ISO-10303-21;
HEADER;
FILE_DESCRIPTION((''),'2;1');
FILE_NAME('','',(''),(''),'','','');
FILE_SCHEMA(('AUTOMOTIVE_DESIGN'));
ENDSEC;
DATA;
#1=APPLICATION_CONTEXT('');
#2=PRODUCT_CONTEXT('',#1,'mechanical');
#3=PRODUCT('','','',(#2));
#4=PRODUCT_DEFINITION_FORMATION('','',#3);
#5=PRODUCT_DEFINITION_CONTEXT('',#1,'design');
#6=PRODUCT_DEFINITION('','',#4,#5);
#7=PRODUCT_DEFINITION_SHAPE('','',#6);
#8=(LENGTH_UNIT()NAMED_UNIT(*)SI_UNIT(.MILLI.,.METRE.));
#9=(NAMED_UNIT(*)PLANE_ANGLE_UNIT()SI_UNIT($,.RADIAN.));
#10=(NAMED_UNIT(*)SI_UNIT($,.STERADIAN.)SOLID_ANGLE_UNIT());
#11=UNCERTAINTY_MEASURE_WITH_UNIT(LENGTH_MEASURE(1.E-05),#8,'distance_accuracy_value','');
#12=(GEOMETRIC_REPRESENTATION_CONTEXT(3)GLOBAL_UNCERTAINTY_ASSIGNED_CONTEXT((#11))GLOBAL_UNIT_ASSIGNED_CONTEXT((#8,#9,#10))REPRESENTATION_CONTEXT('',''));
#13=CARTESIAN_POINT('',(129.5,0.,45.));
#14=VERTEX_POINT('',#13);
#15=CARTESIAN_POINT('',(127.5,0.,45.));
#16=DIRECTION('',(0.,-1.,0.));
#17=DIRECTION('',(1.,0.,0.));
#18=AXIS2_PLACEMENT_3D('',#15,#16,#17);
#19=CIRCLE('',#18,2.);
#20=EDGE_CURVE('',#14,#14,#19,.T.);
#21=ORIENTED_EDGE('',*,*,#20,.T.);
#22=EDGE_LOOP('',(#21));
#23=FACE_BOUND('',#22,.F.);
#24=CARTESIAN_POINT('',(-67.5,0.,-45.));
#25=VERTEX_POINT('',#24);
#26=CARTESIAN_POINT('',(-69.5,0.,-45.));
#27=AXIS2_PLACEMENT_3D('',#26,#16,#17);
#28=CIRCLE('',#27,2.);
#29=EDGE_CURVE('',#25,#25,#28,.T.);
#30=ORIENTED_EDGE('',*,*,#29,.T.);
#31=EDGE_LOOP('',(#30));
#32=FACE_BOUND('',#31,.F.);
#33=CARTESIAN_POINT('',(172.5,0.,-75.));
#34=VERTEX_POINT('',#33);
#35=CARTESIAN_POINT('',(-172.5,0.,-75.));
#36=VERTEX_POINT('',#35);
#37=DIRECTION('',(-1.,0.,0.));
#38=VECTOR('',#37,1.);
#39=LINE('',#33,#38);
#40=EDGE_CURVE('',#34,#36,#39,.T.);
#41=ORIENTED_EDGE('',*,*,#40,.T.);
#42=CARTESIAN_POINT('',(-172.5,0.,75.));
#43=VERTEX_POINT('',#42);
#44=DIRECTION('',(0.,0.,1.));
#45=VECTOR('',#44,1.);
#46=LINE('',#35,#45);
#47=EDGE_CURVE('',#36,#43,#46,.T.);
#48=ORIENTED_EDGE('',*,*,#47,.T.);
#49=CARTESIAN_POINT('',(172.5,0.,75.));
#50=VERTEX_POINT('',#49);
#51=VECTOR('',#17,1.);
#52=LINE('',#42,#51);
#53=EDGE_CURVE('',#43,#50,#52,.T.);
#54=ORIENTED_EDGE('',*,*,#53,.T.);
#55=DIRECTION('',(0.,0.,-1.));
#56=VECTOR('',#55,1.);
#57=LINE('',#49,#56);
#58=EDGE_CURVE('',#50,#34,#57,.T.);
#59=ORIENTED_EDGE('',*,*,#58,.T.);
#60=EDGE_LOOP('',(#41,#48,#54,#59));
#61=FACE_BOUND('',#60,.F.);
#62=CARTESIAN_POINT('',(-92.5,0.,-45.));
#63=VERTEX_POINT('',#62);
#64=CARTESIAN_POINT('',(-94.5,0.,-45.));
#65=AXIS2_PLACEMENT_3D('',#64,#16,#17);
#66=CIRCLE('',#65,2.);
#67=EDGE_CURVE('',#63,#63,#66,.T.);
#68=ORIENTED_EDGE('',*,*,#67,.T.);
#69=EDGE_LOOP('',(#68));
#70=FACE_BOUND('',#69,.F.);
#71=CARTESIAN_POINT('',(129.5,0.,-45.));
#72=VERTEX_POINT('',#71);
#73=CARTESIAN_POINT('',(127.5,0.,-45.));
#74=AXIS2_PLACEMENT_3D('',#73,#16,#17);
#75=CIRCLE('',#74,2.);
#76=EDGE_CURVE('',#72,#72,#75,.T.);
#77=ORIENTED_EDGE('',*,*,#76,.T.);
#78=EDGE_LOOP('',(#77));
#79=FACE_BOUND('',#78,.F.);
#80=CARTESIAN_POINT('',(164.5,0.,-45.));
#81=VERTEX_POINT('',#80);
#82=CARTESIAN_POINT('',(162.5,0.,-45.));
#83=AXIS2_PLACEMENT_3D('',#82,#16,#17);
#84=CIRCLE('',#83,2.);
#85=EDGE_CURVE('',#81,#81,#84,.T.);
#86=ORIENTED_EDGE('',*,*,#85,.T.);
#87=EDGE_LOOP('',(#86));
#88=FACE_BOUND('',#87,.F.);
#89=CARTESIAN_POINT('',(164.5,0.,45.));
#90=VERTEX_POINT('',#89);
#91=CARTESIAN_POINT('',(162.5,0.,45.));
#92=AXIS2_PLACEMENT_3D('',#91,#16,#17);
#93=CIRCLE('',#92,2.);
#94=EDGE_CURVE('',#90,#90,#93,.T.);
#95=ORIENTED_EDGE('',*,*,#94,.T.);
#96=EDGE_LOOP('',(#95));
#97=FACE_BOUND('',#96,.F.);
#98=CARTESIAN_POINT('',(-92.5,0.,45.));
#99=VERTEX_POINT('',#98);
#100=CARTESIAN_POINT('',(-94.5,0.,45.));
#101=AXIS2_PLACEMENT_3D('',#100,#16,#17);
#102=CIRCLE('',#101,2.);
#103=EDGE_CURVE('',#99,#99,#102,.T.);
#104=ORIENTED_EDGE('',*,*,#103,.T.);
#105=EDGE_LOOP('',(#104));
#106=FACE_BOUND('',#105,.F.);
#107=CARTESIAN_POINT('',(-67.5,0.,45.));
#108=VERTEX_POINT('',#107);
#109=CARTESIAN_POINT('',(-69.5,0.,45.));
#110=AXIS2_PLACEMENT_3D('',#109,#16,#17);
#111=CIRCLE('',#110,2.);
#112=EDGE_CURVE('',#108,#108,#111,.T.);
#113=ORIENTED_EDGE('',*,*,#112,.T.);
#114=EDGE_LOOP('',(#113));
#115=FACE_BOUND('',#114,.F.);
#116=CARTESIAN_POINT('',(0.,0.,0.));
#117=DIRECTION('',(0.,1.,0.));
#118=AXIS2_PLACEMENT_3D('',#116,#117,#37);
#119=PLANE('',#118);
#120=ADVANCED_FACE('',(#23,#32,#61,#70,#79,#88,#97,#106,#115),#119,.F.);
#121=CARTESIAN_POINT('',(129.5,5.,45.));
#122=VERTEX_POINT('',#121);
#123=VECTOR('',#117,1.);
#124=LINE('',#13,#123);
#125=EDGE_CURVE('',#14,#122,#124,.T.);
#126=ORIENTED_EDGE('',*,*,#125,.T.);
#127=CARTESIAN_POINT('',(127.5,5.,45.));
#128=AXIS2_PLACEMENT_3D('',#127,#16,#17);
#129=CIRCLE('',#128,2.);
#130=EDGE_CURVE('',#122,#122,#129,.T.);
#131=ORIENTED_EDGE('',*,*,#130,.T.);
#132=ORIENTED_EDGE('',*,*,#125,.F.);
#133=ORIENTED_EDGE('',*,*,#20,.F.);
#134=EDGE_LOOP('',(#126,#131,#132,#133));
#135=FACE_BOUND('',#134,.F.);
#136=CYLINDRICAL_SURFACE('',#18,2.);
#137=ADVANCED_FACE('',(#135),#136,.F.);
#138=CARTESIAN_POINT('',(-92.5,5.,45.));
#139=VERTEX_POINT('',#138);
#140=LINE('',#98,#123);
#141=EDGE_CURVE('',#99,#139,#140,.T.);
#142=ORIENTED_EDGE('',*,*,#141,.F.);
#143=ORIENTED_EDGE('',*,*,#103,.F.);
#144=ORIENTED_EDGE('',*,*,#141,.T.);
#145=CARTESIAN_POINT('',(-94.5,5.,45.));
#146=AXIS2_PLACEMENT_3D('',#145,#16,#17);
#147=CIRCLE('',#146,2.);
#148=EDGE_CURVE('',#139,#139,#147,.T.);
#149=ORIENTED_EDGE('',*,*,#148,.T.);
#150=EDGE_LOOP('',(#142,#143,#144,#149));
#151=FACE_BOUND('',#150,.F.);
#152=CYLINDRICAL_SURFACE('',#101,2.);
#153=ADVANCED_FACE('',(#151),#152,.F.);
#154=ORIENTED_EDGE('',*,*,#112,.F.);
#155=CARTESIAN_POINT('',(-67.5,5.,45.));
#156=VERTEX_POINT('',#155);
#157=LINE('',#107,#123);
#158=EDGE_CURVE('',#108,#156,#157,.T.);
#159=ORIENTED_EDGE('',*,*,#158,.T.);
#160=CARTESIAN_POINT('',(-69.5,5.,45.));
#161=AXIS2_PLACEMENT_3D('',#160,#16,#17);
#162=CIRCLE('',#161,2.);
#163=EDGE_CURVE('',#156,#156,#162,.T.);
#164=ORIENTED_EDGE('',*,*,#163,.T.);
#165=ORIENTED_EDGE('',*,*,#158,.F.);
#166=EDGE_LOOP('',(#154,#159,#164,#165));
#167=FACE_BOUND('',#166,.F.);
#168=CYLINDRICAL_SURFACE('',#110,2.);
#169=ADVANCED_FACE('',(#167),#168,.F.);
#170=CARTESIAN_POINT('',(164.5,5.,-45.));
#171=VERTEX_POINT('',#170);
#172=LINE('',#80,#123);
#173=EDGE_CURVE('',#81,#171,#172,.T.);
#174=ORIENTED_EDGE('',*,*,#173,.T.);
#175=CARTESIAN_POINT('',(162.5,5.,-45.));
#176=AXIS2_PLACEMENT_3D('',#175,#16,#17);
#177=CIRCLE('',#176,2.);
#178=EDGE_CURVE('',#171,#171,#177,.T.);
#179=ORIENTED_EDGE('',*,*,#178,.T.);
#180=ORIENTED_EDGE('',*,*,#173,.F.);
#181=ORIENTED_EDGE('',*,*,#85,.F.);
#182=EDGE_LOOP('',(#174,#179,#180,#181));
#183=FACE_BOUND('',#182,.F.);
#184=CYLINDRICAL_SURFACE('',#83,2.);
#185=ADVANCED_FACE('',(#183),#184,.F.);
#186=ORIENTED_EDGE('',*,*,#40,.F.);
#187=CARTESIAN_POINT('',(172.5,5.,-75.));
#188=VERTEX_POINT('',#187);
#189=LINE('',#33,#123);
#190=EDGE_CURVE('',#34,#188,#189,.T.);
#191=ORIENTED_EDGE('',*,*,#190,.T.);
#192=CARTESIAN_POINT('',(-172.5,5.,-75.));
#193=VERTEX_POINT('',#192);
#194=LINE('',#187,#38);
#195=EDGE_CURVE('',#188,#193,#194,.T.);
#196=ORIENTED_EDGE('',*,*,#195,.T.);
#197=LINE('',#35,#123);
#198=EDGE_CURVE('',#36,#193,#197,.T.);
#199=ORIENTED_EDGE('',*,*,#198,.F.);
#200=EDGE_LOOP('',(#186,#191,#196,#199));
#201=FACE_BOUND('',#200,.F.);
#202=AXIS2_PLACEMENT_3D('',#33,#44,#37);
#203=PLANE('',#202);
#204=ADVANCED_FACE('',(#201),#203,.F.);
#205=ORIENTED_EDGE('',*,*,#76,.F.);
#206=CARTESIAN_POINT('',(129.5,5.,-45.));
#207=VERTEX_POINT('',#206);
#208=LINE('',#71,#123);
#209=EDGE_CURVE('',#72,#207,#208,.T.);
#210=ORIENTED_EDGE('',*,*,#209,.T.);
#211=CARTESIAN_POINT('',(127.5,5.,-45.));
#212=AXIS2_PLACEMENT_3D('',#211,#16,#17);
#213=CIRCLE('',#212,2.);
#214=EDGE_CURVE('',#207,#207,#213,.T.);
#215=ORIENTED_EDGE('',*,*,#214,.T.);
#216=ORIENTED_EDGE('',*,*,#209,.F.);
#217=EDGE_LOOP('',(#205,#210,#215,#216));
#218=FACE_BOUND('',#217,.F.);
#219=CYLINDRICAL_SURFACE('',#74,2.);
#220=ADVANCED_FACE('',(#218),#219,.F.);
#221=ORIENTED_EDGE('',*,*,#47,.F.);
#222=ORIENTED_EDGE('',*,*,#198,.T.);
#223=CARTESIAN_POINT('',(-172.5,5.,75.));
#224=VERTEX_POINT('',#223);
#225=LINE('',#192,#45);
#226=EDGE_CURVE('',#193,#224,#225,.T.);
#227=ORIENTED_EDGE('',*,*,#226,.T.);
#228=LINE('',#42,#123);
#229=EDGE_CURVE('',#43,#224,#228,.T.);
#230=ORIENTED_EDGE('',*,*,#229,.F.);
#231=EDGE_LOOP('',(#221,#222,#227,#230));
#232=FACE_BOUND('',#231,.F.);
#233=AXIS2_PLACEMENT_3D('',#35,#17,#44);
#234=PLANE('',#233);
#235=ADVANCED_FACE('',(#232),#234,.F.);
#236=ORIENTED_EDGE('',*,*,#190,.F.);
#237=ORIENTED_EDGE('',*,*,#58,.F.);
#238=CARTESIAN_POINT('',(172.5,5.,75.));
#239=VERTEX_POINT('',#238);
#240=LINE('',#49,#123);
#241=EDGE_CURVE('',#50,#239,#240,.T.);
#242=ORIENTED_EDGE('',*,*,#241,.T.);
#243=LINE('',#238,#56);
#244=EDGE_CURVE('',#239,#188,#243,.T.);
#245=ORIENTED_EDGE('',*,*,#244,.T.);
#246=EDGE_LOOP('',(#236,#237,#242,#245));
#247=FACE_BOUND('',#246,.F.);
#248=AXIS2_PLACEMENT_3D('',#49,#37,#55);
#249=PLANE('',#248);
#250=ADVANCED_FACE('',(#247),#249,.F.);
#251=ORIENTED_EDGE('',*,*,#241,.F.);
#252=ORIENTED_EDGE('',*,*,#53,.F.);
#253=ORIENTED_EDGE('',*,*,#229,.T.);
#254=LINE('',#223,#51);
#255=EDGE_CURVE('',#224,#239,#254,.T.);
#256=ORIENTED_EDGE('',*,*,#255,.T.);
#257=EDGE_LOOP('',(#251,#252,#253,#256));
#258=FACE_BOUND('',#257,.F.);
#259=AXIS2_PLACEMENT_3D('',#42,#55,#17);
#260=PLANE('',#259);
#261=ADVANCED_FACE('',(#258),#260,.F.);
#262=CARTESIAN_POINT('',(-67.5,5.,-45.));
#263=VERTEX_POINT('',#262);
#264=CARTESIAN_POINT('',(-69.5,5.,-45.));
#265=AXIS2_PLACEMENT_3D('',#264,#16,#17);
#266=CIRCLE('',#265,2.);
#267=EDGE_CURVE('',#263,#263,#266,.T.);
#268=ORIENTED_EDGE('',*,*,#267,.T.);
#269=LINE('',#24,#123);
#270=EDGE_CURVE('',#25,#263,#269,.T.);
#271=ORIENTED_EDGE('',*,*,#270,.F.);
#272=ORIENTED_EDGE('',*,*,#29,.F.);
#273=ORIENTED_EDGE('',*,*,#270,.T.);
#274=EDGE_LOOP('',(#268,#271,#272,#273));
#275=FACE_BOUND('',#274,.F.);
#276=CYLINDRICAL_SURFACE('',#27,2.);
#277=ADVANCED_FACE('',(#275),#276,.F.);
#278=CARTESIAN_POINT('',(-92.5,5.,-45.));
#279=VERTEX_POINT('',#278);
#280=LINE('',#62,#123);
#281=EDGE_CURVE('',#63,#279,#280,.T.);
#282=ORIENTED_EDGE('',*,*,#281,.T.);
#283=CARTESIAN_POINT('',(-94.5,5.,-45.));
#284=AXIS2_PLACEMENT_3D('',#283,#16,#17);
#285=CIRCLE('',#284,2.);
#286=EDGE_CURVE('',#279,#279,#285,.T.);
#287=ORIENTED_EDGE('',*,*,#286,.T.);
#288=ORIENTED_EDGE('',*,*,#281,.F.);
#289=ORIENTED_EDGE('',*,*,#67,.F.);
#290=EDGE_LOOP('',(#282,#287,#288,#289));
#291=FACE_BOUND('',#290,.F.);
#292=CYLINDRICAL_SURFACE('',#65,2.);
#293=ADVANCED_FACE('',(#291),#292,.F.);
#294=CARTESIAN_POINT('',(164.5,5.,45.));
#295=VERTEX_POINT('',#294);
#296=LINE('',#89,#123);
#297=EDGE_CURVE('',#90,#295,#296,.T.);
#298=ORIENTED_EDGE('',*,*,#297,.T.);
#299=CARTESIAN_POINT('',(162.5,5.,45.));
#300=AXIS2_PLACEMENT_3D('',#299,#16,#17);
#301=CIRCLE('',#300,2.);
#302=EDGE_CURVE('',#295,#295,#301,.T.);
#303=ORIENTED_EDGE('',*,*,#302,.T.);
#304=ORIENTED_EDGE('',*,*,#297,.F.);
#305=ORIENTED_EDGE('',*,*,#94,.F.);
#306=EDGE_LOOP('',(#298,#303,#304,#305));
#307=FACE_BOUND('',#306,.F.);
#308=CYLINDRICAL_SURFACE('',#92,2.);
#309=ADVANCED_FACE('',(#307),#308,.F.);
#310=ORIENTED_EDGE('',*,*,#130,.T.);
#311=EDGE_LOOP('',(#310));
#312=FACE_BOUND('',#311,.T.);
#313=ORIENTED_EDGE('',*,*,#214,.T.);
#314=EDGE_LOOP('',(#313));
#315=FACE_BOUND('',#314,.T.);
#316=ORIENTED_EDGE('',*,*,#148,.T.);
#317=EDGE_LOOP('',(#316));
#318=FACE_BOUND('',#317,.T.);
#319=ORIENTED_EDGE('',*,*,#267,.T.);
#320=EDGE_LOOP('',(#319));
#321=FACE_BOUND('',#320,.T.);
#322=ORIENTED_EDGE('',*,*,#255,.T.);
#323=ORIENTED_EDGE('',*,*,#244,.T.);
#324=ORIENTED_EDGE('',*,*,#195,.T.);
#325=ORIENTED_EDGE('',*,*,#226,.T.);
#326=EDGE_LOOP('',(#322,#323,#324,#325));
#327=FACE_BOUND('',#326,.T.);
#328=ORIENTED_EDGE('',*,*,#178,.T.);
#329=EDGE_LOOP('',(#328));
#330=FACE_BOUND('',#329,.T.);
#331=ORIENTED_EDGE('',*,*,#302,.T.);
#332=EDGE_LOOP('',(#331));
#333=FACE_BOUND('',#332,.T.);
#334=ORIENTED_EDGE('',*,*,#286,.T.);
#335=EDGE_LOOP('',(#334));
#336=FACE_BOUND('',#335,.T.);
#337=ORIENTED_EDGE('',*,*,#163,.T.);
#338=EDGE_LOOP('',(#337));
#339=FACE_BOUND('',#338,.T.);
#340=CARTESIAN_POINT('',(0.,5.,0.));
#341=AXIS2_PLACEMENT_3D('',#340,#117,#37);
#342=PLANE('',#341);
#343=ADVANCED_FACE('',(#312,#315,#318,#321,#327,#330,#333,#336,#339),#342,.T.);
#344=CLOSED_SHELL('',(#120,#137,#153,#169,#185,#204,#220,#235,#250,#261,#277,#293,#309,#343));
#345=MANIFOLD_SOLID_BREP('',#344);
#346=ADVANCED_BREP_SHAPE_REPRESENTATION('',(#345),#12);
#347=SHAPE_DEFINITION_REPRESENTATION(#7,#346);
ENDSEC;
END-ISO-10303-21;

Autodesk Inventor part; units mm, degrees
ref_plane "YZ Plane" through (0, 0, 0) normal (1, 0, 0) x (0, 1, 0)
ref_plane "XZ Plane" through (0, 0, 0) normal (0, 1, 0) x (-1, 0, 0)
ref_plane "XY Plane" through (0, 0, 0) normal (0, 0, 1) x (1, 0, 0)
sketch "Sketch1" plane through (0, 0, 0) normal (0, 1, 0) x (-1, 0, 0)
  line L0 (172.5, 75) -> (-172.5, 75)
  line L1 (-172.5, 75) -> (-172.5, -75)
  line L2 (-172.5, -75) -> (172.5, -75)
  line L3 (172.5, -75) -> (172.5, 75)
  line L4 (172.5, 75) -> (-172.5, -75) construction
  line L5 (-172.5, 75) -> (172.5, -75) construction
  point P0 (0, 0)
  dimension "d0" = 345
  dimension "d1" = 150
extrude "Extrusion1" add sketch "Sketch1" along normal blind 5
sketch "Sketch2" plane through (0, 0, 0) normal (0, -1, 0) x (1, 0, 0)
  circle A0 centre (162.5, 45) radius 2.05 projected
  circle A1 centre (162.5, -45) radius 2.05 projected
  circle A2 centre (127.5, 45) radius 2.05 projected
  circle A3 centre (127.5, -45) radius 2.05 projected
  line L0 (172.5, -75) -> (47.5, -75) projected
  line L1 (47.5, -75) -> (47.5, -55) projected
  line L2 (117.5, -55) -> (47.5, -55) projected
  line L3 (117.5, -55) -> (117.5, 75) projected
  line L4 (117.5, 75) -> (172.5, 75) projected
  line L5 (172.5, -75) -> (172.5, 75) projected
  line L6 (-104.55, -45) -> (-104.55, 60) projected
  line L7 (-104.55, 60) -> (-132, 60) projected
  line L8 (-132, 75) -> (-132, 60) projected
  line L9 (-132, 75) -> (-32, 75) projected
  line L10 (-32, 60) -> (-32, 75) projected
  line L11 (-32, 60) -> (-59.45, 60) projected
  line L12 (-59.45, 60) -> (-59.45, -45) projected
  arc A4 (-59.45, -45) -> (-54.45, -50) centre (-54.45, -45) ccw projected
  line L13 (-32, -50) -> (-54.45, -50) projected
  line L14 (-32, -75) -> (-32, -50) projected
  line L15 (-59.45, -75) -> (-32, -75) projected
  line L16 (-59.45, -75) -> (-59.45, -65) projected
  line L17 (-59.45, -65) -> (-104.55, -65) projected
  line L18 (-104.55, -65) -> (-104.55, -75) projected
  line L19 (-132, -75) -> (-104.55, -75) projected
  line L20 (-132, -50) -> (-132, -75) projected
  line L21 (-109.55, -50) -> (-132, -50) projected
  arc A5 (-109.55, -50) -> (-104.55, -45) centre (-109.55, -45) ccw projected
  circle A6 centre (-94.5, 45) radius 2.05 projected
  circle A7 centre (-69.5, -45) radius 2.05 projected
  circle A8 centre (-69.5, 45) radius 2.05 projected
  circle A9 centre (-94.5, -45) radius 2.05 projected
  circle A10 centre (162.5, 45) radius 2
  circle A11 centre (162.5, -45) radius 2
  circle A12 centre (127.5, 45) radius 2
  circle A13 centre (127.5, -45) radius 2
  circle A14 centre (-69.5, 45) radius 2
  circle A15 centre (-69.5, -45) radius 2
  circle A16 centre (-94.5, 45) radius 2
  circle A17 centre (-94.5, -45) radius 2
  point P0 (0, 0)
  dimension "d4" = 4
  dimension "d5" = 4
  dimension "d6" = 4
  dimension "d7" = 4
  dimension "d8" = 4
  dimension "d9" = 4
  dimension "d10" = 4
  dimension "d11" = 4
extrude "Extrusion2" cut sketch "Sketch2" against normal blind 5 contours A10 | A11 | A12 | A13 | A14 | A15 | A16 | A17
properties part number "acrylic_side"
